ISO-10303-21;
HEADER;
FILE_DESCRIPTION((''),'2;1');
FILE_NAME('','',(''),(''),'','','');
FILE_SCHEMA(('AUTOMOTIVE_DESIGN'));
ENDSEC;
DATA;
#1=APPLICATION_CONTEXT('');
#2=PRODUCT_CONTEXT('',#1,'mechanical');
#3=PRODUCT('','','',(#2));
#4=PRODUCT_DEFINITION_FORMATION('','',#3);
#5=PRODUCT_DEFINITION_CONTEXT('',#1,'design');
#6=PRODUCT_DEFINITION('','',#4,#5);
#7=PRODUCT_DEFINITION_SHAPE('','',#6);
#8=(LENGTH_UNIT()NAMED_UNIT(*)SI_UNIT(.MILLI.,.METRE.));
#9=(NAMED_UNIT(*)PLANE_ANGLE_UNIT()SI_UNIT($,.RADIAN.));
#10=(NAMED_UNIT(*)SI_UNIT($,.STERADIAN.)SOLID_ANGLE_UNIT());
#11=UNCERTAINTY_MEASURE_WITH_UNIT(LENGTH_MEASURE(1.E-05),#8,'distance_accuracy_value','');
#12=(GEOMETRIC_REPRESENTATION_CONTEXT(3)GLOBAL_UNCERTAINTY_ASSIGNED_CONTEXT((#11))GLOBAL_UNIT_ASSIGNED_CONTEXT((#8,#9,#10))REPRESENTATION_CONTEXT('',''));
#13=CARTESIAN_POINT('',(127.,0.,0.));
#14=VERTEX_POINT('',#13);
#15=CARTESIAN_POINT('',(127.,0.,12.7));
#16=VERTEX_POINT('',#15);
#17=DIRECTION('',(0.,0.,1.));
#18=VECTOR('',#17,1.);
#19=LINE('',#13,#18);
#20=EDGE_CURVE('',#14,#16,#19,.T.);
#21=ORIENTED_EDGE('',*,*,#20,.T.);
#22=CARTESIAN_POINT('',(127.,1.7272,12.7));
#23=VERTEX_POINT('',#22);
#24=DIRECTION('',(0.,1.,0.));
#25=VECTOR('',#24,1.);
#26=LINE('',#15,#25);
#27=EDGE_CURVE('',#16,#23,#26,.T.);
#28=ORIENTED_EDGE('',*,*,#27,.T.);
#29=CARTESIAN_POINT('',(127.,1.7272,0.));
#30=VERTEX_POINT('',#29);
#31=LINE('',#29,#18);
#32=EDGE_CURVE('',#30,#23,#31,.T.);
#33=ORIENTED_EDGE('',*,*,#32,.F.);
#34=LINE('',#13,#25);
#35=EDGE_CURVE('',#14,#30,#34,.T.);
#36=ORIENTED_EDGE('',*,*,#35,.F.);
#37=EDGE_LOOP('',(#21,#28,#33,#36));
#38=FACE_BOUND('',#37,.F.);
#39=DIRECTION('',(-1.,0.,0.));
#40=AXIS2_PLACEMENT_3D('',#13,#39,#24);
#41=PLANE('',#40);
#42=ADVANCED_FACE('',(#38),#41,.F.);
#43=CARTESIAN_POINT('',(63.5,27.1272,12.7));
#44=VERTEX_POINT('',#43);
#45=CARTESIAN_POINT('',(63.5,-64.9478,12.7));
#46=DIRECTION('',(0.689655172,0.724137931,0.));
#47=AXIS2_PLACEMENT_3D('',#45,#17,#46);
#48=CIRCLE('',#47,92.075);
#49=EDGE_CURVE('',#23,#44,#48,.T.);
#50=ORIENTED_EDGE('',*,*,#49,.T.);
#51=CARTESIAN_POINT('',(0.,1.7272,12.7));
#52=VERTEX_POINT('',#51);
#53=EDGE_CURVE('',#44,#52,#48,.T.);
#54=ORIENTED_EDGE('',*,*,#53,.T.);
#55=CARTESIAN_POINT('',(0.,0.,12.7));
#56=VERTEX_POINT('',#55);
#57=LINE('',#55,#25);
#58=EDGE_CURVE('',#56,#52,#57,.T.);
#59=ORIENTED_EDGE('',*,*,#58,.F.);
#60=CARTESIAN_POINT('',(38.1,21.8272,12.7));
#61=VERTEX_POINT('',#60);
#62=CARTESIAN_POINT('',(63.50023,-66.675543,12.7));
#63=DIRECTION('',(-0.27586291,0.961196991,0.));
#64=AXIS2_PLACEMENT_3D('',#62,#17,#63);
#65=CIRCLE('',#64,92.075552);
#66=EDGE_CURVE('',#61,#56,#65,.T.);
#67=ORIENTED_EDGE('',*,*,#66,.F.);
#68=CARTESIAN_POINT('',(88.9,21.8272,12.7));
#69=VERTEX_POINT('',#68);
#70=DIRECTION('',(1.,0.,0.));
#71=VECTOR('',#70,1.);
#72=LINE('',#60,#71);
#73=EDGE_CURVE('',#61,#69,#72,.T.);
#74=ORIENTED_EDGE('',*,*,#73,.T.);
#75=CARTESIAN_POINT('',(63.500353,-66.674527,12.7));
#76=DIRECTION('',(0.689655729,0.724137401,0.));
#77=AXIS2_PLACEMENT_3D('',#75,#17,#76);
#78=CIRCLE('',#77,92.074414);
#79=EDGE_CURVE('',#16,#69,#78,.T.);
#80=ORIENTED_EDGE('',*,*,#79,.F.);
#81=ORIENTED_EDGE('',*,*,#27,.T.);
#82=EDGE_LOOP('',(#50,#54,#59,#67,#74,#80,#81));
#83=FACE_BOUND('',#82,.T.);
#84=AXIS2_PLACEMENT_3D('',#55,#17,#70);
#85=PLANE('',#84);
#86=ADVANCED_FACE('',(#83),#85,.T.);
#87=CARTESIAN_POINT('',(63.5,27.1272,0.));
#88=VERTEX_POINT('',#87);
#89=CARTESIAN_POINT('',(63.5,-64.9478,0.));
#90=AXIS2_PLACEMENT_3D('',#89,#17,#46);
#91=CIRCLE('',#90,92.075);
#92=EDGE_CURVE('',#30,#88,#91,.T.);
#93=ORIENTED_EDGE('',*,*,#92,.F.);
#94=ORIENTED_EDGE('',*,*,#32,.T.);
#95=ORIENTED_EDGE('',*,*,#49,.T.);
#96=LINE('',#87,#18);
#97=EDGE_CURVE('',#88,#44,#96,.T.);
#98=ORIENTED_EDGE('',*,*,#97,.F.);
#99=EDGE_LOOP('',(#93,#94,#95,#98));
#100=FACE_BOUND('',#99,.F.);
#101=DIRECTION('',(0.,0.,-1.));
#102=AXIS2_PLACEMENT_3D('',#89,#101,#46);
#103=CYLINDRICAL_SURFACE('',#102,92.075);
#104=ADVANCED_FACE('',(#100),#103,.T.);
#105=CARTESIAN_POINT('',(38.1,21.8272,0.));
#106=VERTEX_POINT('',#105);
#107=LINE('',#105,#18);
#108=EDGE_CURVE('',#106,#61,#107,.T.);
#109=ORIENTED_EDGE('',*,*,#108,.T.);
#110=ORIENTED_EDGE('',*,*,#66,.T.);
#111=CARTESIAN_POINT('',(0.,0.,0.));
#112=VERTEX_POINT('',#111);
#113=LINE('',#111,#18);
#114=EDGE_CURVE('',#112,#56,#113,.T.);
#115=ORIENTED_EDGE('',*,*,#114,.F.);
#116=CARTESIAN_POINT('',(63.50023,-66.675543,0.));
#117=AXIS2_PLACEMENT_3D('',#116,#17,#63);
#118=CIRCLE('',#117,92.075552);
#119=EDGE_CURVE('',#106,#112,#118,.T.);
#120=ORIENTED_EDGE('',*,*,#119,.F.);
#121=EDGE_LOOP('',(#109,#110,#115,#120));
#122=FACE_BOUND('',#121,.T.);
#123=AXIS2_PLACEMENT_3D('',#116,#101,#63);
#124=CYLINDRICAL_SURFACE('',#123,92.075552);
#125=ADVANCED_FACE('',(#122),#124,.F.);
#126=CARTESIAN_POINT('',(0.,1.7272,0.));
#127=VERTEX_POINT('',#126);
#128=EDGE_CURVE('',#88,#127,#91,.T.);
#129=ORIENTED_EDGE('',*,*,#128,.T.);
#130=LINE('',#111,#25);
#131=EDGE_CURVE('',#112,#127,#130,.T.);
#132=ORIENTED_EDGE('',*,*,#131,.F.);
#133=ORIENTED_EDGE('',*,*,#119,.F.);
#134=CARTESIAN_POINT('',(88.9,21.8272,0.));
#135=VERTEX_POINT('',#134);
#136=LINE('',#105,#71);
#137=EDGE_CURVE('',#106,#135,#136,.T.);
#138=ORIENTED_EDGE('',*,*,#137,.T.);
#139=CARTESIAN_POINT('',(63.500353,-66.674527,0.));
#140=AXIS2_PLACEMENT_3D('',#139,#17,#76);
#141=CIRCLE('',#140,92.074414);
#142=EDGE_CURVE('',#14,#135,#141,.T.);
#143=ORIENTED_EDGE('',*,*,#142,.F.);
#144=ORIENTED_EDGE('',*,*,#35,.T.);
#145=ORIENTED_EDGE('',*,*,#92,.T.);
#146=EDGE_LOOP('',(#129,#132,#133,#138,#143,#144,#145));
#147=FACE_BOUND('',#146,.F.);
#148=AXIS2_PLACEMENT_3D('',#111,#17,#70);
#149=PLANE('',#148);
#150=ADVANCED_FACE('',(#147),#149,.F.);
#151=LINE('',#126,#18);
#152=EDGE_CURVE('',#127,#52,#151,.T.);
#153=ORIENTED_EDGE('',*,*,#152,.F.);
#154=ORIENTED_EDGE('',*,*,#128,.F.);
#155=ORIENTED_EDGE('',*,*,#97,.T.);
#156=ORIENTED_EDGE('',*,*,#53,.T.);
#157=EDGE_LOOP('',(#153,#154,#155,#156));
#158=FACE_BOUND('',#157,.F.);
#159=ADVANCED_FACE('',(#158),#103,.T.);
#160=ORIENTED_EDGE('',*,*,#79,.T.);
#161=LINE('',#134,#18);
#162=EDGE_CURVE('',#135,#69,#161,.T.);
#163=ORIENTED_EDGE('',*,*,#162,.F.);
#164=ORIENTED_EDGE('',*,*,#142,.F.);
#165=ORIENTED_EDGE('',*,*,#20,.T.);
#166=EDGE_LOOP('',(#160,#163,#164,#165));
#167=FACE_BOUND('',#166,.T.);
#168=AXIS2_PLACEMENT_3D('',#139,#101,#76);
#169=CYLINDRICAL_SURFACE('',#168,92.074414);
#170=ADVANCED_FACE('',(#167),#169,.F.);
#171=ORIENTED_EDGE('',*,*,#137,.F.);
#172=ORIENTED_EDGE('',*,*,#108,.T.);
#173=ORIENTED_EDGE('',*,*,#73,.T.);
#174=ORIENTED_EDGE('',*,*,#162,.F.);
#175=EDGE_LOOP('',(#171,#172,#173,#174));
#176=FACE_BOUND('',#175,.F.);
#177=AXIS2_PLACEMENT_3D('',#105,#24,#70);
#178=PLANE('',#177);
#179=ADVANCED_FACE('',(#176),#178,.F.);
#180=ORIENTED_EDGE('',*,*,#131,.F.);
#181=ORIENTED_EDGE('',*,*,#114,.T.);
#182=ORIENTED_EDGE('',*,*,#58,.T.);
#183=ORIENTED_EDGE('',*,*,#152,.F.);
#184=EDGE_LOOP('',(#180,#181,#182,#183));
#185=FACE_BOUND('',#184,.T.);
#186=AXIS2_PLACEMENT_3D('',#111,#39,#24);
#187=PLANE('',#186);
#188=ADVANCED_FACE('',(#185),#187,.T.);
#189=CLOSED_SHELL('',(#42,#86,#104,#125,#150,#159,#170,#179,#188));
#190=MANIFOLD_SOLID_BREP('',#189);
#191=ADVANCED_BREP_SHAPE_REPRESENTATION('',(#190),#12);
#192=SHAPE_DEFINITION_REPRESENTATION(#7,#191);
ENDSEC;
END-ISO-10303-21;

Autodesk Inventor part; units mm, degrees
ref_plane "YZ Plane" through (0, 0, 0) normal (1, 0, 0) x (0, 1, 0)
ref_plane "XZ Plane" through (0, 0, 0) normal (0, 1, 0) x (-1, 0, 0)
ref_plane "XY Plane" through (0, 0, 0) normal (0, 0, 1) x (1, 0, 0)
sketch "Sketch1" plane through (0, 0, 0) normal (0, 0, 1) x (1, 0, 0)
  line L0 (0, 0) -> (127, 0) construction
  line L1 (0, 0) -> (63.5, 0) construction
  line L2 (63.5, 0) -> (63.5, 25.4) construction
  line L3 (0, 0) -> (0, 1.7272)
  line L4 (127, 0) -> (127, 1.7272)
  line L5 (63.5, 25.4) -> (63.5, 27.1272)
  line L6 (63.5, 25.4) -> (65.2272, 25.4) construction
  arc A0 (127, 1.7272) -> (0, 1.7272) centre (63.5, -64.9478) ccw
  line L7 (38.1, 21.8272) -> (88.9, 21.8272)
  arc A1 (127, 0) -> (88.9, 21.8272) centre (63.5, -66.675) ccw
  arc A2 (38.1, 21.8272) -> (0, 0) centre (63.5, -66.675) ccw
  dimension "d0" = 127
  dimension "d1" = 63.5
  dimension "d2" = 25.4
  dimension "d3" = 1.7272
  dimension "d4" = 1.7272
  dimension "d5" = 1.7272
  dimension "d6" = 90
  dimension "d8" = 50.8
extrude "Extrusion1" add sketch "Sketch1" along normal blind 12.7
properties part number "ClipBottom"
